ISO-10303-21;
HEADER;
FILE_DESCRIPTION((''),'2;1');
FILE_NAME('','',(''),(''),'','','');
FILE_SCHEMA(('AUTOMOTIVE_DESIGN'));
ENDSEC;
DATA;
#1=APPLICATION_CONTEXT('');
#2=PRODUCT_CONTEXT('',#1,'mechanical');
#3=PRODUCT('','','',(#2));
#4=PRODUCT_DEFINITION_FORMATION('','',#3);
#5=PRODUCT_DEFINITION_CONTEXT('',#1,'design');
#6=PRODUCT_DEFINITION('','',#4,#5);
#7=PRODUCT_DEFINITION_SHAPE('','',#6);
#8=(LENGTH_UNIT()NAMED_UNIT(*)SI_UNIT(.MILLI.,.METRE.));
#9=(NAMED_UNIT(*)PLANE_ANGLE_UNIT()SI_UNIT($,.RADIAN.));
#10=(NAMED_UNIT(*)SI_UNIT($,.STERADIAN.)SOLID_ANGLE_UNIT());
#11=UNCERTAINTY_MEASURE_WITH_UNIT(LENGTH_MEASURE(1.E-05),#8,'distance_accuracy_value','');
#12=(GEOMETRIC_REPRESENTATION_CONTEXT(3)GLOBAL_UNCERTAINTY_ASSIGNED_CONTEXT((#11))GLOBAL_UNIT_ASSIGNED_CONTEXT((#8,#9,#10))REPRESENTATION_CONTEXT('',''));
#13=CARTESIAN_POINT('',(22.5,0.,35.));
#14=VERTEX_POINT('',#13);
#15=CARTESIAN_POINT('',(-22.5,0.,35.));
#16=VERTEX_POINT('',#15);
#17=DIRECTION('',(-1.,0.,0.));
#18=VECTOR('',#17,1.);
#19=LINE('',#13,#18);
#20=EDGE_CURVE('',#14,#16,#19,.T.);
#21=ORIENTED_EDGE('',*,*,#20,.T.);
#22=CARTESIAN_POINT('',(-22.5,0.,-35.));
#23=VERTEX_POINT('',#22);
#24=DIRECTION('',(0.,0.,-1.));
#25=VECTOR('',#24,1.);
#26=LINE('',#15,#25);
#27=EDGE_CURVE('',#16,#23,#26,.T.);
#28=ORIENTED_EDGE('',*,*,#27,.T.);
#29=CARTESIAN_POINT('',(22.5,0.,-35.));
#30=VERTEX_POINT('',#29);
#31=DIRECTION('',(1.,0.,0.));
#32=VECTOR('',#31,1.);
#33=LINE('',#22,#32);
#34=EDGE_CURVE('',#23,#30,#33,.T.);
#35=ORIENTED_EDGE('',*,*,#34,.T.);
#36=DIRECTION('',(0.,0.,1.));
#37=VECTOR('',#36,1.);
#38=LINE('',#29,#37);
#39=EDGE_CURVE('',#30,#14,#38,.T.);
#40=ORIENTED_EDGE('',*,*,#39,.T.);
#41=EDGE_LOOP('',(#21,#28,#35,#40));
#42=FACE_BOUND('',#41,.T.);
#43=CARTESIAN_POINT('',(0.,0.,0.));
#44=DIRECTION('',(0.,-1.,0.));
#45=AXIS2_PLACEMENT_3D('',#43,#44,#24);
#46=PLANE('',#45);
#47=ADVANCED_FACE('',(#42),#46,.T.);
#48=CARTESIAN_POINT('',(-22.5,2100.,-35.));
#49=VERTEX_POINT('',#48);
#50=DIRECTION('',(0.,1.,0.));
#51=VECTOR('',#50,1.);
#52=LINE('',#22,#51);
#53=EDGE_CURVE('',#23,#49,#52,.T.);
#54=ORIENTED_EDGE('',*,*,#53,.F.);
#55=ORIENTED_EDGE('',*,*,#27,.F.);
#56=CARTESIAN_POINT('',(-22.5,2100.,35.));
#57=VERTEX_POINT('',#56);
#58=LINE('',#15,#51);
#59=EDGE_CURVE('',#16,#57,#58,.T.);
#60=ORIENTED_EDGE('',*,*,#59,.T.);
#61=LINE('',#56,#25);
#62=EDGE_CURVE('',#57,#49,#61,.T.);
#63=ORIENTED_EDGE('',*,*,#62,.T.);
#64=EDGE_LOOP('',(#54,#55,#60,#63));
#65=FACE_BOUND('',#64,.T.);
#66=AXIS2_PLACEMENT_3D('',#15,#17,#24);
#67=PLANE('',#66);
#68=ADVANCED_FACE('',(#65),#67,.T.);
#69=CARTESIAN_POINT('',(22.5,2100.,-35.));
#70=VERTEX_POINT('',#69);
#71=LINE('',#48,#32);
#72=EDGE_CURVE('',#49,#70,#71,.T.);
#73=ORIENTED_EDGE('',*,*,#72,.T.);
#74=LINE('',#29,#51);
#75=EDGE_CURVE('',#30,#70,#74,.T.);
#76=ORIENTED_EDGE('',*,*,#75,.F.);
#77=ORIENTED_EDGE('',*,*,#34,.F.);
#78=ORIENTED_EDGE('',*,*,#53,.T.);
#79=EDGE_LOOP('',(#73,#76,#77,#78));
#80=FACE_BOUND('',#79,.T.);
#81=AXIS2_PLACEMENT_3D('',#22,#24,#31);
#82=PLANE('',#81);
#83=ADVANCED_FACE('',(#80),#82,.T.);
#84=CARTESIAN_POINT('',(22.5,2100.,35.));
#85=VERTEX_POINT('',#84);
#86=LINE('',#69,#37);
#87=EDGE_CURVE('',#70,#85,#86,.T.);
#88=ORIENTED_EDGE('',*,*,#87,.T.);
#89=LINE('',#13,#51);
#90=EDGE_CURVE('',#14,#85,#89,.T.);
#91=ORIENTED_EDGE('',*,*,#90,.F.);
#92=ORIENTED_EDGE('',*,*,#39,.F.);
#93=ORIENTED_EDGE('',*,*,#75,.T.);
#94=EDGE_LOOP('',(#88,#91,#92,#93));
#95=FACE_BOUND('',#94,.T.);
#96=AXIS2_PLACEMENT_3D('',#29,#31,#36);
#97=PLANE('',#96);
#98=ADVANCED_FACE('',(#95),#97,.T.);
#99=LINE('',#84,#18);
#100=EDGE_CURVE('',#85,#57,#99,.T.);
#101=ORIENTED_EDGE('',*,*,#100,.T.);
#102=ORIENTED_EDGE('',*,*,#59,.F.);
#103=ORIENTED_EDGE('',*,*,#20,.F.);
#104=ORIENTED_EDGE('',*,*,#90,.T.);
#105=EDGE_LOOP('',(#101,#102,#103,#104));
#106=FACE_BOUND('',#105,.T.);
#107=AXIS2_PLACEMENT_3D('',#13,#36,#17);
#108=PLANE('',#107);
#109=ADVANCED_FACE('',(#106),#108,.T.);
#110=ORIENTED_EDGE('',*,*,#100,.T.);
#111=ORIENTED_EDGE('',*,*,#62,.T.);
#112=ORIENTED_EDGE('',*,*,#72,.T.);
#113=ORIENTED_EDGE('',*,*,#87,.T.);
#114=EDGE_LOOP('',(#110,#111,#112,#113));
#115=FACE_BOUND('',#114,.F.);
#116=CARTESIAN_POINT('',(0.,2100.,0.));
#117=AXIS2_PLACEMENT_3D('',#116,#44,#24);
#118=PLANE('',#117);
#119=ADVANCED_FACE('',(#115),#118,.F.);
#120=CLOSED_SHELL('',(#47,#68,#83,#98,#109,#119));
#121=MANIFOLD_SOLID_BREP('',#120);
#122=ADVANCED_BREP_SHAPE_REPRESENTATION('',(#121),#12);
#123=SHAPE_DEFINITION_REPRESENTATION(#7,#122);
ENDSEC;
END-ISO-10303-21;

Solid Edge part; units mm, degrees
sketch "Sketch1" plane through (0, 0, 0) normal (0, -1, 0) x (1, 0, 0)
  line L0 (-22.5, -35) -> (22.5, -35)
  line L1 (22.5, -35) -> (22.5, 35)
  line L2 (22.5, 35) -> (-22.5, 35)
  line L3 (-22.5, 35) -> (-22.5, -35)
extrude "Protrusion1" add sketch "Sketch1" against normal blind 2100
properties material "Wood, Pine"
